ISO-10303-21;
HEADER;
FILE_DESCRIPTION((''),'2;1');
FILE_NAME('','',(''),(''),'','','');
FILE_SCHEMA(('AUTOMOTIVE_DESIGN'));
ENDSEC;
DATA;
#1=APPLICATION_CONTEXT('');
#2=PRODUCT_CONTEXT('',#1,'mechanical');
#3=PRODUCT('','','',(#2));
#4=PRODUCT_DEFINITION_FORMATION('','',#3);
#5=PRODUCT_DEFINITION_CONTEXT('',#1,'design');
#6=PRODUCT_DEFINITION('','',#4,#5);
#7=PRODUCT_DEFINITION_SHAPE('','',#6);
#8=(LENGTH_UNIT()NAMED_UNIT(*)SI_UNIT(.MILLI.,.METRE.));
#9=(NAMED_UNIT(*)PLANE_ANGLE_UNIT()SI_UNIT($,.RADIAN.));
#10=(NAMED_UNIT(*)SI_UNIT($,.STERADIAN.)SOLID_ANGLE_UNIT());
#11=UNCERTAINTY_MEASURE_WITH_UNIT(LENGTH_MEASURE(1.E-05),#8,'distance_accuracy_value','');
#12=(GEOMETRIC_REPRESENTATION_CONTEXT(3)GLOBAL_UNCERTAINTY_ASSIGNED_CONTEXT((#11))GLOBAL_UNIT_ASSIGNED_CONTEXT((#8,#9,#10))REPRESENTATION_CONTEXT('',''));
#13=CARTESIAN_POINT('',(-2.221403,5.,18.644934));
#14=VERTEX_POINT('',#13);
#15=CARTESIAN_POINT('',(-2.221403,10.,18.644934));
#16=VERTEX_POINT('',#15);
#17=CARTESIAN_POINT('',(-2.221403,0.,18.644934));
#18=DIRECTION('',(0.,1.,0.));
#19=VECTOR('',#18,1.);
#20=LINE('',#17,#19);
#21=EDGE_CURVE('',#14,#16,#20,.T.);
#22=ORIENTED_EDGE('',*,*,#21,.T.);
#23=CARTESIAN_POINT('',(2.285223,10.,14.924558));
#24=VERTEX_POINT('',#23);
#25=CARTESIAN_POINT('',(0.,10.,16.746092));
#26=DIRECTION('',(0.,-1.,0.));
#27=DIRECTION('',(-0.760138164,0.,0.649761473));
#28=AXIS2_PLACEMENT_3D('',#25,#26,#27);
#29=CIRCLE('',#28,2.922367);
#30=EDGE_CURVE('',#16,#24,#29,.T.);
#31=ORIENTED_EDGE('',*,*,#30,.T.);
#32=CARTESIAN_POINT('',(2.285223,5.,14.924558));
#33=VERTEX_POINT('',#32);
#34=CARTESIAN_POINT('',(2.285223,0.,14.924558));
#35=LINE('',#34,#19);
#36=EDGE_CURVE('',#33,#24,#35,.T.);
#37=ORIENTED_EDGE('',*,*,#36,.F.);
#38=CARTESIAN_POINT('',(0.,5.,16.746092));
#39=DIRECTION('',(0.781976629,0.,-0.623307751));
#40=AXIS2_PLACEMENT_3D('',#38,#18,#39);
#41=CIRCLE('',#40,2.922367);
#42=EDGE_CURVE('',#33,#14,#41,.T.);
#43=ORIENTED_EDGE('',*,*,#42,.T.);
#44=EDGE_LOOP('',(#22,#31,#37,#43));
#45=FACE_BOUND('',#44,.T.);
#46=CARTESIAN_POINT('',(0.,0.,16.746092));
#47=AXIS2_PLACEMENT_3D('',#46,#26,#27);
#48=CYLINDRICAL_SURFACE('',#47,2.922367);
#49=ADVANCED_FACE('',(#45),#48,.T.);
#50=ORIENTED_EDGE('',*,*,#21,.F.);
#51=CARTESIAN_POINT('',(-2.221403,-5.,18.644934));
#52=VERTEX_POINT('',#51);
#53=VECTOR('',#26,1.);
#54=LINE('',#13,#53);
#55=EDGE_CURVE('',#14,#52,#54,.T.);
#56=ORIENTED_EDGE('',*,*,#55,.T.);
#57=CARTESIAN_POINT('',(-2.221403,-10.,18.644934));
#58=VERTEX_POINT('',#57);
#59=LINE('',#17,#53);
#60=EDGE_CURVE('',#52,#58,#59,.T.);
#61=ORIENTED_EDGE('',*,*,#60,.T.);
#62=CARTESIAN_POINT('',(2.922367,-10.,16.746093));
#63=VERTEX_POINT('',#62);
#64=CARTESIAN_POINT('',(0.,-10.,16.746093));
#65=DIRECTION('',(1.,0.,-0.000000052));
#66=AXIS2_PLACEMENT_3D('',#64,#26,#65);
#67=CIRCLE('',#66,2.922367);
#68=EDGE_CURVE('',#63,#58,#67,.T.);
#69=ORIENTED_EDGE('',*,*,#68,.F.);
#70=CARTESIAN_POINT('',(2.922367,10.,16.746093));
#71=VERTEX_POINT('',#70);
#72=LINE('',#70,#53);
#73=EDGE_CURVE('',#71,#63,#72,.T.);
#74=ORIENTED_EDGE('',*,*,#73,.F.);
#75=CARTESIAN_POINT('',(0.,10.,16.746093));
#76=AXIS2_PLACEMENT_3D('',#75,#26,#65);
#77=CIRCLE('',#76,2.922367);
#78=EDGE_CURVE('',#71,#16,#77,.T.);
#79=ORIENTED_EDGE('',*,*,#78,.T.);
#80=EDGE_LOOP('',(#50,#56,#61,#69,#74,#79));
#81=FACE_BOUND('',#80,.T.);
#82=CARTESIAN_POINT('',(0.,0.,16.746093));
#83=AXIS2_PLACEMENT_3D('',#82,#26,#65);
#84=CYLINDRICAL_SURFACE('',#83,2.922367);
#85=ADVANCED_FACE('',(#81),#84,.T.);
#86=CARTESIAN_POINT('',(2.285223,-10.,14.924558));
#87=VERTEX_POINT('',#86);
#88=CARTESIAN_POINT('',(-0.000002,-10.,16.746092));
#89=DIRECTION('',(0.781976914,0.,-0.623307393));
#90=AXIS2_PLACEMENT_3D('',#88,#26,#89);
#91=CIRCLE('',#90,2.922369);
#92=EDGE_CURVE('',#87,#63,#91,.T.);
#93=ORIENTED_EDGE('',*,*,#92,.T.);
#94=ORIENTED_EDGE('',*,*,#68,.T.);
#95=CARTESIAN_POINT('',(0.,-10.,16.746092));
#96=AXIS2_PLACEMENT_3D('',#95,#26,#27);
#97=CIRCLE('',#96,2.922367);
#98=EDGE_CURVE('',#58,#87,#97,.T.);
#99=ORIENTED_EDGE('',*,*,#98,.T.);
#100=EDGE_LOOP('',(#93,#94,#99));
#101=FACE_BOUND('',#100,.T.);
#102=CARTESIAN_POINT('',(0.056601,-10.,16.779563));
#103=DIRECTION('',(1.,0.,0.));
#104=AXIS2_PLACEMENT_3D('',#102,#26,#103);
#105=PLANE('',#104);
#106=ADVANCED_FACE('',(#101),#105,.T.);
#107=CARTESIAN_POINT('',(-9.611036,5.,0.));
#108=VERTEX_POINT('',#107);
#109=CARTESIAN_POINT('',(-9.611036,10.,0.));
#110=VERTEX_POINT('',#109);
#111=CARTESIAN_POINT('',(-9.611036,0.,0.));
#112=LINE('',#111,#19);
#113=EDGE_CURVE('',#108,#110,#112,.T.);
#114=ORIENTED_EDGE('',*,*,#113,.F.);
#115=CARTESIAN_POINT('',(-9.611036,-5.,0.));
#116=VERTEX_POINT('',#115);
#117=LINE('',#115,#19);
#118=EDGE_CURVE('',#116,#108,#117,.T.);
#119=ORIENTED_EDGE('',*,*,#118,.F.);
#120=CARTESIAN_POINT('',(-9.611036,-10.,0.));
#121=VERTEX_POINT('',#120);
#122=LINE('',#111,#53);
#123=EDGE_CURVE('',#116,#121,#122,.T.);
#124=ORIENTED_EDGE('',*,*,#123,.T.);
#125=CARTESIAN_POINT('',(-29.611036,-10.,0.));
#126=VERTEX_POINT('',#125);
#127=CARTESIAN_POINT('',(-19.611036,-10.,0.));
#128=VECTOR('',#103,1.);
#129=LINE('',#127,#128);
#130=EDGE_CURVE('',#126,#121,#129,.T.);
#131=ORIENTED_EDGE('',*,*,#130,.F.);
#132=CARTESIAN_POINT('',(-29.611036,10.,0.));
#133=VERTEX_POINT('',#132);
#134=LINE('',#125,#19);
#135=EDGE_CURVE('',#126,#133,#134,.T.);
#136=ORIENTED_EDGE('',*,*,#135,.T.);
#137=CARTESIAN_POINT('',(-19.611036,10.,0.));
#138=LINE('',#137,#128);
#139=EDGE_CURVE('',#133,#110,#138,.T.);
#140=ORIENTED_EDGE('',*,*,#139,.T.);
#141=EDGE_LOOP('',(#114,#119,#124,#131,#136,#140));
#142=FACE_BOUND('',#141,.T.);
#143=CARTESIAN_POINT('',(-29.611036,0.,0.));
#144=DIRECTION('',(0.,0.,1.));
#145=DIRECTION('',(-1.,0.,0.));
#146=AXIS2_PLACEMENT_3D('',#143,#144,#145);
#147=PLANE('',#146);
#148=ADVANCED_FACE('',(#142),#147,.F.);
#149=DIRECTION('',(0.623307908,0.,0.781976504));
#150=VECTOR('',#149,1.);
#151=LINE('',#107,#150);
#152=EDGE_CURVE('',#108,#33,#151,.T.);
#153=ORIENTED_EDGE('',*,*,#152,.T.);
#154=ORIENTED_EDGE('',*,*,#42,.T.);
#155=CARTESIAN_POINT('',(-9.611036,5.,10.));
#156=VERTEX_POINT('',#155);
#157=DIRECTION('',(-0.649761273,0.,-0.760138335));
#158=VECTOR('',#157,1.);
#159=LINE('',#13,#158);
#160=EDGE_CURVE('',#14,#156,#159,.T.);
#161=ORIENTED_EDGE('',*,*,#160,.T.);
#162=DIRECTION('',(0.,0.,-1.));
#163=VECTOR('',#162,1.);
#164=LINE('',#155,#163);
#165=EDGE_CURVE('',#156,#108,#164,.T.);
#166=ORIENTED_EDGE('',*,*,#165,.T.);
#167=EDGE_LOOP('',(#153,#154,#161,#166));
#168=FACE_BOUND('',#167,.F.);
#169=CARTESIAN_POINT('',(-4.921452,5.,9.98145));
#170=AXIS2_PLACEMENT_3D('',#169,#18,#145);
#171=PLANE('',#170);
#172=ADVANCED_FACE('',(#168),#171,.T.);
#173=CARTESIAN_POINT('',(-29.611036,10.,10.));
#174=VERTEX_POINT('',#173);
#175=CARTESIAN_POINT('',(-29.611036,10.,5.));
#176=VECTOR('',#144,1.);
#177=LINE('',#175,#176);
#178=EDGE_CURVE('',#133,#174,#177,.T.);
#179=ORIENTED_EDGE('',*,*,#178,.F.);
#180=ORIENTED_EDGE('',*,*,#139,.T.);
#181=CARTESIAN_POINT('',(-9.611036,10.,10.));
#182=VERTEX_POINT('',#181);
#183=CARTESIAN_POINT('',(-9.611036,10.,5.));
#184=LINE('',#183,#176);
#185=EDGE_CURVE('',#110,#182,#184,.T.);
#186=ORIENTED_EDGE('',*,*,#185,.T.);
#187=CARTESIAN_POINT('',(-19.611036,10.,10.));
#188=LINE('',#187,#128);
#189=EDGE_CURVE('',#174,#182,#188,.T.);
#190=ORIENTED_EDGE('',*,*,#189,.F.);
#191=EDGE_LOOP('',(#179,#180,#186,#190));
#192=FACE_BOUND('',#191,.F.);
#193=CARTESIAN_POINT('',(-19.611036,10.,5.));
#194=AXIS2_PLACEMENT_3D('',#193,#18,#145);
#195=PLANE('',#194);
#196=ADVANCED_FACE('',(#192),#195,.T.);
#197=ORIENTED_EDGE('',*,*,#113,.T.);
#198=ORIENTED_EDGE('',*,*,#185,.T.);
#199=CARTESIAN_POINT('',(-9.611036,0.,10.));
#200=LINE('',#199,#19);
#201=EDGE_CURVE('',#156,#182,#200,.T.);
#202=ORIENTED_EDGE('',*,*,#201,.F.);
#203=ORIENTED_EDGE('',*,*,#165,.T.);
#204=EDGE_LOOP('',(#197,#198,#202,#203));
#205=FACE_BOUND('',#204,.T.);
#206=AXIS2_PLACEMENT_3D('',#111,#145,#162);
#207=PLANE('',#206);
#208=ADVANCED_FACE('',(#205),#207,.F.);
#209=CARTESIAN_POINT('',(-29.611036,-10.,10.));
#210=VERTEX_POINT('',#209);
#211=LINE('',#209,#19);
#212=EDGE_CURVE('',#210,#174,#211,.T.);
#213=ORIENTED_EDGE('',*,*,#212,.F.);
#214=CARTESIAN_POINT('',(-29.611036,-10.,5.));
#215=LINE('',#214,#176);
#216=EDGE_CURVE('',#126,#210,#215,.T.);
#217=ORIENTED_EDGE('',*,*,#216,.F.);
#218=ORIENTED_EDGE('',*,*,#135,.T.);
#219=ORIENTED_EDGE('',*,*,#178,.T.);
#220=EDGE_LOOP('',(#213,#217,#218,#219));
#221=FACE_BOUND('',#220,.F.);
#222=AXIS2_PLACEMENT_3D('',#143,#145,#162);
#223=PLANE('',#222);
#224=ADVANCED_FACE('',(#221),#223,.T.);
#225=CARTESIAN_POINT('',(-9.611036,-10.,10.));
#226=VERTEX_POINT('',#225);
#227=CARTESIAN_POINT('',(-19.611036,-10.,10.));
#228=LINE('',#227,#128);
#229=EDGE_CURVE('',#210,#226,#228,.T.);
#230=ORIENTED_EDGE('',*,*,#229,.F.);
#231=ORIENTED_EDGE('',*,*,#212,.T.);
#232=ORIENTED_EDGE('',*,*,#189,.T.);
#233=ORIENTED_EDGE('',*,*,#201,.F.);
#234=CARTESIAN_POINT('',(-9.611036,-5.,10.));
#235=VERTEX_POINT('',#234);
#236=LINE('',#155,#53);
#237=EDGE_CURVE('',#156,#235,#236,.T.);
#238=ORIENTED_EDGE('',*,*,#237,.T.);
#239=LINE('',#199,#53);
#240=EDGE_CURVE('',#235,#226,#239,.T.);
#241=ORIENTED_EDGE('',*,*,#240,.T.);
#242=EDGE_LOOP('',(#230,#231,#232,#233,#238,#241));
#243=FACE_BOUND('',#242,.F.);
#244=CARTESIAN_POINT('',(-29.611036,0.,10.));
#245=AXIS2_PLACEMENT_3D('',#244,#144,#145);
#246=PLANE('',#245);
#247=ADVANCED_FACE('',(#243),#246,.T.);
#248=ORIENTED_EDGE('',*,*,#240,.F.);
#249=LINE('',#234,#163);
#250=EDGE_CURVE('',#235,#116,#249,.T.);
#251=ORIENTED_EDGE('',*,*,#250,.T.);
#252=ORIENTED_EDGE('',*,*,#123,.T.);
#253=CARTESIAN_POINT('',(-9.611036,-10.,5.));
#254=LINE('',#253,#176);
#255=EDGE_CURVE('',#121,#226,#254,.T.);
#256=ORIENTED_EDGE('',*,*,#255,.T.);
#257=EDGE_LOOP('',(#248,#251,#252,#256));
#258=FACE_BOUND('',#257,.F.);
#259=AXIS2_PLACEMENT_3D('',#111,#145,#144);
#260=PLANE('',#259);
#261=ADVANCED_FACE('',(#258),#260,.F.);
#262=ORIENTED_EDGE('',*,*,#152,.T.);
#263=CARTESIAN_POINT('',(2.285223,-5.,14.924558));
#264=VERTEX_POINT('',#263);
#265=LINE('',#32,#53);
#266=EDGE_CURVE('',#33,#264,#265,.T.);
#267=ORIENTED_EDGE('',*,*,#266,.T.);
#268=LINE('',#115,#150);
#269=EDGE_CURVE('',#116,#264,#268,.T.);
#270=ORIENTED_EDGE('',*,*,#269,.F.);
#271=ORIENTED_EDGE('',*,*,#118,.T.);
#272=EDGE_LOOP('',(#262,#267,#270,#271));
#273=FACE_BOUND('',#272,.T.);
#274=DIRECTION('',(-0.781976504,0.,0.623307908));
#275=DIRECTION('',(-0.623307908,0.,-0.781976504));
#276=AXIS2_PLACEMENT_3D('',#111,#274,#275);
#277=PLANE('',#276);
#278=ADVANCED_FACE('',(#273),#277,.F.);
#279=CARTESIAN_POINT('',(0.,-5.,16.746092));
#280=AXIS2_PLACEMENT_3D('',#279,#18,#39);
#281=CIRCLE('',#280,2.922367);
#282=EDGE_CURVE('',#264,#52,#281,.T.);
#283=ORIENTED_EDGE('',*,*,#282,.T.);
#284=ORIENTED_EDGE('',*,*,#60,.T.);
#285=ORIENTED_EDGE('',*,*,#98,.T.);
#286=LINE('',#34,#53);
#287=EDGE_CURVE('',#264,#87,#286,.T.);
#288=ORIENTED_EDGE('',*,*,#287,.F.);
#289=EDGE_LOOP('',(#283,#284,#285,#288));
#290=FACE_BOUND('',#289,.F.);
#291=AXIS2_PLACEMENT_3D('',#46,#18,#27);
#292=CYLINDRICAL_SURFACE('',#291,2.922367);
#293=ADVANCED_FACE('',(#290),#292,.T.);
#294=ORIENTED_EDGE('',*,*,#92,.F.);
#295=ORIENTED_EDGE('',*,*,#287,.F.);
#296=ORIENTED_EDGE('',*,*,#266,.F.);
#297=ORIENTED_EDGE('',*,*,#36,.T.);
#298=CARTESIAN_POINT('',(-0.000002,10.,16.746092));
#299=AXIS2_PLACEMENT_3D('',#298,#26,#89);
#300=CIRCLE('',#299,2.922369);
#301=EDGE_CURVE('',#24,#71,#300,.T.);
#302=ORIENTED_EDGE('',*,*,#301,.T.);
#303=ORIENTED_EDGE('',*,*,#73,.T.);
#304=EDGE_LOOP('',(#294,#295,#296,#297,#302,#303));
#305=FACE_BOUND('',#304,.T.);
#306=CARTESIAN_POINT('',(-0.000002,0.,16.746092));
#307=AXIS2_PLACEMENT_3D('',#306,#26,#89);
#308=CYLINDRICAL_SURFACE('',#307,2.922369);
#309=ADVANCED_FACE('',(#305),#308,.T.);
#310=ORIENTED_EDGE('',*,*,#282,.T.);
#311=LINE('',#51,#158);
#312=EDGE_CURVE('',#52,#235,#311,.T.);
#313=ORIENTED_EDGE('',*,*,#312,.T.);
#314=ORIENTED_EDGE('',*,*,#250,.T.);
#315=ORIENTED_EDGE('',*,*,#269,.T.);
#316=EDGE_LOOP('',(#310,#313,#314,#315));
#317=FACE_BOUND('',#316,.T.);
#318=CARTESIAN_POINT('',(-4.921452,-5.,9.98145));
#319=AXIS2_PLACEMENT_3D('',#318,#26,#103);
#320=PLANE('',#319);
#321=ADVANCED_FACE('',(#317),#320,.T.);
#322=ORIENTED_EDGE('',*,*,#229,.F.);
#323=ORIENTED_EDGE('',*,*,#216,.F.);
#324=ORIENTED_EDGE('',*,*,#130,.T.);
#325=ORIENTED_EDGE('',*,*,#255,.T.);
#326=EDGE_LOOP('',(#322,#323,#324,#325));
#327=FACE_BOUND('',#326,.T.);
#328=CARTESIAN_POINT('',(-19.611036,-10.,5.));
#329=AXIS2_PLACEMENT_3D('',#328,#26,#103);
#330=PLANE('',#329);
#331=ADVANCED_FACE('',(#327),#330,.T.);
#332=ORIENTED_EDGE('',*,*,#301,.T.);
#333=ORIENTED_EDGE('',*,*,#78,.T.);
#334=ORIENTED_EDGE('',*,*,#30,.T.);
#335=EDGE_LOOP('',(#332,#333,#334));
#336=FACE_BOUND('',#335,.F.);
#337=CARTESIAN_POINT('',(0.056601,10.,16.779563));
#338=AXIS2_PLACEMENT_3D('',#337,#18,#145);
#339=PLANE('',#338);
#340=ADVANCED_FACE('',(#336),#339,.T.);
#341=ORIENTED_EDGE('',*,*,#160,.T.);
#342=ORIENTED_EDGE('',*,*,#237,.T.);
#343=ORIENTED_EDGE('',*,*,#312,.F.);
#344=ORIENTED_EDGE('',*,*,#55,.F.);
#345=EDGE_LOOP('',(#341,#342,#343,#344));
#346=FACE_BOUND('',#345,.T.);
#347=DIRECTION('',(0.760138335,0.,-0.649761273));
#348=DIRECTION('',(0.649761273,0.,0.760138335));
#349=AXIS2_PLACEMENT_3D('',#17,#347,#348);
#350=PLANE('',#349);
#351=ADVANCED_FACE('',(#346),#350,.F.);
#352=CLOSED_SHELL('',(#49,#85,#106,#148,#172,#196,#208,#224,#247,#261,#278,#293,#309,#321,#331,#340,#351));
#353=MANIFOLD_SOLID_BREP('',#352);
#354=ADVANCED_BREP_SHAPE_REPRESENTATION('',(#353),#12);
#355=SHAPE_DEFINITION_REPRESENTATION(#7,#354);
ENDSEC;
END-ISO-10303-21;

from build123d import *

# Parameters (mm, degrees)
F0_W     = 20
F0_H     = 10
F1_DEPTH = 10
F2_DEPTH = 5


with BuildPart() as f1:
    # F0 (on Front) → F1 (new body)
    with BuildSketch(Plane.XZ):
        with BuildLine():
            ThreePointArc((-2.221403, 18.644934), (-1.860462, 14.492448), (2.285223, 14.924558))
            ThreePointArc((2.285223, 14.924558), (2.758486, 15.781217), (2.922367, 16.746093))
            ThreePointArc((2.922367, 16.746093), (1.012046, 19.487624), (-2.221403, 18.644934))
        make_face()
        with Locations((-19.611036, 5)):
            Rectangle(F0_W, F0_H)
    extrude(amount=F1_DEPTH)



with BuildPart() as f2:
    # F0 (on Front) → F2 (new body)
    with BuildSketch(Plane.XZ):
        with BuildLine():
            Line((-9.611036, 10), (-9.611036, 0))
            Line((-9.611036, 0), (2.285223, 14.924558))
            ThreePointArc((2.285223, 14.924558), (-1.860462, 14.492448), (-2.221403, 18.644934))
            Line((-2.221403, 18.644934), (-9.611036, 10))
        make_face()
    extrude(amount=F2_DEPTH)


with BuildPart() as f1_1:
    add(f1.part)

    add(f2.part)  # F3 merges F2
    # F3: F1 across plane


with BuildPart() as f1_2:
    add(f1_1.part)
    add(f1_1.part.mirror(Plane.XZ))


solid = f1_2.part
